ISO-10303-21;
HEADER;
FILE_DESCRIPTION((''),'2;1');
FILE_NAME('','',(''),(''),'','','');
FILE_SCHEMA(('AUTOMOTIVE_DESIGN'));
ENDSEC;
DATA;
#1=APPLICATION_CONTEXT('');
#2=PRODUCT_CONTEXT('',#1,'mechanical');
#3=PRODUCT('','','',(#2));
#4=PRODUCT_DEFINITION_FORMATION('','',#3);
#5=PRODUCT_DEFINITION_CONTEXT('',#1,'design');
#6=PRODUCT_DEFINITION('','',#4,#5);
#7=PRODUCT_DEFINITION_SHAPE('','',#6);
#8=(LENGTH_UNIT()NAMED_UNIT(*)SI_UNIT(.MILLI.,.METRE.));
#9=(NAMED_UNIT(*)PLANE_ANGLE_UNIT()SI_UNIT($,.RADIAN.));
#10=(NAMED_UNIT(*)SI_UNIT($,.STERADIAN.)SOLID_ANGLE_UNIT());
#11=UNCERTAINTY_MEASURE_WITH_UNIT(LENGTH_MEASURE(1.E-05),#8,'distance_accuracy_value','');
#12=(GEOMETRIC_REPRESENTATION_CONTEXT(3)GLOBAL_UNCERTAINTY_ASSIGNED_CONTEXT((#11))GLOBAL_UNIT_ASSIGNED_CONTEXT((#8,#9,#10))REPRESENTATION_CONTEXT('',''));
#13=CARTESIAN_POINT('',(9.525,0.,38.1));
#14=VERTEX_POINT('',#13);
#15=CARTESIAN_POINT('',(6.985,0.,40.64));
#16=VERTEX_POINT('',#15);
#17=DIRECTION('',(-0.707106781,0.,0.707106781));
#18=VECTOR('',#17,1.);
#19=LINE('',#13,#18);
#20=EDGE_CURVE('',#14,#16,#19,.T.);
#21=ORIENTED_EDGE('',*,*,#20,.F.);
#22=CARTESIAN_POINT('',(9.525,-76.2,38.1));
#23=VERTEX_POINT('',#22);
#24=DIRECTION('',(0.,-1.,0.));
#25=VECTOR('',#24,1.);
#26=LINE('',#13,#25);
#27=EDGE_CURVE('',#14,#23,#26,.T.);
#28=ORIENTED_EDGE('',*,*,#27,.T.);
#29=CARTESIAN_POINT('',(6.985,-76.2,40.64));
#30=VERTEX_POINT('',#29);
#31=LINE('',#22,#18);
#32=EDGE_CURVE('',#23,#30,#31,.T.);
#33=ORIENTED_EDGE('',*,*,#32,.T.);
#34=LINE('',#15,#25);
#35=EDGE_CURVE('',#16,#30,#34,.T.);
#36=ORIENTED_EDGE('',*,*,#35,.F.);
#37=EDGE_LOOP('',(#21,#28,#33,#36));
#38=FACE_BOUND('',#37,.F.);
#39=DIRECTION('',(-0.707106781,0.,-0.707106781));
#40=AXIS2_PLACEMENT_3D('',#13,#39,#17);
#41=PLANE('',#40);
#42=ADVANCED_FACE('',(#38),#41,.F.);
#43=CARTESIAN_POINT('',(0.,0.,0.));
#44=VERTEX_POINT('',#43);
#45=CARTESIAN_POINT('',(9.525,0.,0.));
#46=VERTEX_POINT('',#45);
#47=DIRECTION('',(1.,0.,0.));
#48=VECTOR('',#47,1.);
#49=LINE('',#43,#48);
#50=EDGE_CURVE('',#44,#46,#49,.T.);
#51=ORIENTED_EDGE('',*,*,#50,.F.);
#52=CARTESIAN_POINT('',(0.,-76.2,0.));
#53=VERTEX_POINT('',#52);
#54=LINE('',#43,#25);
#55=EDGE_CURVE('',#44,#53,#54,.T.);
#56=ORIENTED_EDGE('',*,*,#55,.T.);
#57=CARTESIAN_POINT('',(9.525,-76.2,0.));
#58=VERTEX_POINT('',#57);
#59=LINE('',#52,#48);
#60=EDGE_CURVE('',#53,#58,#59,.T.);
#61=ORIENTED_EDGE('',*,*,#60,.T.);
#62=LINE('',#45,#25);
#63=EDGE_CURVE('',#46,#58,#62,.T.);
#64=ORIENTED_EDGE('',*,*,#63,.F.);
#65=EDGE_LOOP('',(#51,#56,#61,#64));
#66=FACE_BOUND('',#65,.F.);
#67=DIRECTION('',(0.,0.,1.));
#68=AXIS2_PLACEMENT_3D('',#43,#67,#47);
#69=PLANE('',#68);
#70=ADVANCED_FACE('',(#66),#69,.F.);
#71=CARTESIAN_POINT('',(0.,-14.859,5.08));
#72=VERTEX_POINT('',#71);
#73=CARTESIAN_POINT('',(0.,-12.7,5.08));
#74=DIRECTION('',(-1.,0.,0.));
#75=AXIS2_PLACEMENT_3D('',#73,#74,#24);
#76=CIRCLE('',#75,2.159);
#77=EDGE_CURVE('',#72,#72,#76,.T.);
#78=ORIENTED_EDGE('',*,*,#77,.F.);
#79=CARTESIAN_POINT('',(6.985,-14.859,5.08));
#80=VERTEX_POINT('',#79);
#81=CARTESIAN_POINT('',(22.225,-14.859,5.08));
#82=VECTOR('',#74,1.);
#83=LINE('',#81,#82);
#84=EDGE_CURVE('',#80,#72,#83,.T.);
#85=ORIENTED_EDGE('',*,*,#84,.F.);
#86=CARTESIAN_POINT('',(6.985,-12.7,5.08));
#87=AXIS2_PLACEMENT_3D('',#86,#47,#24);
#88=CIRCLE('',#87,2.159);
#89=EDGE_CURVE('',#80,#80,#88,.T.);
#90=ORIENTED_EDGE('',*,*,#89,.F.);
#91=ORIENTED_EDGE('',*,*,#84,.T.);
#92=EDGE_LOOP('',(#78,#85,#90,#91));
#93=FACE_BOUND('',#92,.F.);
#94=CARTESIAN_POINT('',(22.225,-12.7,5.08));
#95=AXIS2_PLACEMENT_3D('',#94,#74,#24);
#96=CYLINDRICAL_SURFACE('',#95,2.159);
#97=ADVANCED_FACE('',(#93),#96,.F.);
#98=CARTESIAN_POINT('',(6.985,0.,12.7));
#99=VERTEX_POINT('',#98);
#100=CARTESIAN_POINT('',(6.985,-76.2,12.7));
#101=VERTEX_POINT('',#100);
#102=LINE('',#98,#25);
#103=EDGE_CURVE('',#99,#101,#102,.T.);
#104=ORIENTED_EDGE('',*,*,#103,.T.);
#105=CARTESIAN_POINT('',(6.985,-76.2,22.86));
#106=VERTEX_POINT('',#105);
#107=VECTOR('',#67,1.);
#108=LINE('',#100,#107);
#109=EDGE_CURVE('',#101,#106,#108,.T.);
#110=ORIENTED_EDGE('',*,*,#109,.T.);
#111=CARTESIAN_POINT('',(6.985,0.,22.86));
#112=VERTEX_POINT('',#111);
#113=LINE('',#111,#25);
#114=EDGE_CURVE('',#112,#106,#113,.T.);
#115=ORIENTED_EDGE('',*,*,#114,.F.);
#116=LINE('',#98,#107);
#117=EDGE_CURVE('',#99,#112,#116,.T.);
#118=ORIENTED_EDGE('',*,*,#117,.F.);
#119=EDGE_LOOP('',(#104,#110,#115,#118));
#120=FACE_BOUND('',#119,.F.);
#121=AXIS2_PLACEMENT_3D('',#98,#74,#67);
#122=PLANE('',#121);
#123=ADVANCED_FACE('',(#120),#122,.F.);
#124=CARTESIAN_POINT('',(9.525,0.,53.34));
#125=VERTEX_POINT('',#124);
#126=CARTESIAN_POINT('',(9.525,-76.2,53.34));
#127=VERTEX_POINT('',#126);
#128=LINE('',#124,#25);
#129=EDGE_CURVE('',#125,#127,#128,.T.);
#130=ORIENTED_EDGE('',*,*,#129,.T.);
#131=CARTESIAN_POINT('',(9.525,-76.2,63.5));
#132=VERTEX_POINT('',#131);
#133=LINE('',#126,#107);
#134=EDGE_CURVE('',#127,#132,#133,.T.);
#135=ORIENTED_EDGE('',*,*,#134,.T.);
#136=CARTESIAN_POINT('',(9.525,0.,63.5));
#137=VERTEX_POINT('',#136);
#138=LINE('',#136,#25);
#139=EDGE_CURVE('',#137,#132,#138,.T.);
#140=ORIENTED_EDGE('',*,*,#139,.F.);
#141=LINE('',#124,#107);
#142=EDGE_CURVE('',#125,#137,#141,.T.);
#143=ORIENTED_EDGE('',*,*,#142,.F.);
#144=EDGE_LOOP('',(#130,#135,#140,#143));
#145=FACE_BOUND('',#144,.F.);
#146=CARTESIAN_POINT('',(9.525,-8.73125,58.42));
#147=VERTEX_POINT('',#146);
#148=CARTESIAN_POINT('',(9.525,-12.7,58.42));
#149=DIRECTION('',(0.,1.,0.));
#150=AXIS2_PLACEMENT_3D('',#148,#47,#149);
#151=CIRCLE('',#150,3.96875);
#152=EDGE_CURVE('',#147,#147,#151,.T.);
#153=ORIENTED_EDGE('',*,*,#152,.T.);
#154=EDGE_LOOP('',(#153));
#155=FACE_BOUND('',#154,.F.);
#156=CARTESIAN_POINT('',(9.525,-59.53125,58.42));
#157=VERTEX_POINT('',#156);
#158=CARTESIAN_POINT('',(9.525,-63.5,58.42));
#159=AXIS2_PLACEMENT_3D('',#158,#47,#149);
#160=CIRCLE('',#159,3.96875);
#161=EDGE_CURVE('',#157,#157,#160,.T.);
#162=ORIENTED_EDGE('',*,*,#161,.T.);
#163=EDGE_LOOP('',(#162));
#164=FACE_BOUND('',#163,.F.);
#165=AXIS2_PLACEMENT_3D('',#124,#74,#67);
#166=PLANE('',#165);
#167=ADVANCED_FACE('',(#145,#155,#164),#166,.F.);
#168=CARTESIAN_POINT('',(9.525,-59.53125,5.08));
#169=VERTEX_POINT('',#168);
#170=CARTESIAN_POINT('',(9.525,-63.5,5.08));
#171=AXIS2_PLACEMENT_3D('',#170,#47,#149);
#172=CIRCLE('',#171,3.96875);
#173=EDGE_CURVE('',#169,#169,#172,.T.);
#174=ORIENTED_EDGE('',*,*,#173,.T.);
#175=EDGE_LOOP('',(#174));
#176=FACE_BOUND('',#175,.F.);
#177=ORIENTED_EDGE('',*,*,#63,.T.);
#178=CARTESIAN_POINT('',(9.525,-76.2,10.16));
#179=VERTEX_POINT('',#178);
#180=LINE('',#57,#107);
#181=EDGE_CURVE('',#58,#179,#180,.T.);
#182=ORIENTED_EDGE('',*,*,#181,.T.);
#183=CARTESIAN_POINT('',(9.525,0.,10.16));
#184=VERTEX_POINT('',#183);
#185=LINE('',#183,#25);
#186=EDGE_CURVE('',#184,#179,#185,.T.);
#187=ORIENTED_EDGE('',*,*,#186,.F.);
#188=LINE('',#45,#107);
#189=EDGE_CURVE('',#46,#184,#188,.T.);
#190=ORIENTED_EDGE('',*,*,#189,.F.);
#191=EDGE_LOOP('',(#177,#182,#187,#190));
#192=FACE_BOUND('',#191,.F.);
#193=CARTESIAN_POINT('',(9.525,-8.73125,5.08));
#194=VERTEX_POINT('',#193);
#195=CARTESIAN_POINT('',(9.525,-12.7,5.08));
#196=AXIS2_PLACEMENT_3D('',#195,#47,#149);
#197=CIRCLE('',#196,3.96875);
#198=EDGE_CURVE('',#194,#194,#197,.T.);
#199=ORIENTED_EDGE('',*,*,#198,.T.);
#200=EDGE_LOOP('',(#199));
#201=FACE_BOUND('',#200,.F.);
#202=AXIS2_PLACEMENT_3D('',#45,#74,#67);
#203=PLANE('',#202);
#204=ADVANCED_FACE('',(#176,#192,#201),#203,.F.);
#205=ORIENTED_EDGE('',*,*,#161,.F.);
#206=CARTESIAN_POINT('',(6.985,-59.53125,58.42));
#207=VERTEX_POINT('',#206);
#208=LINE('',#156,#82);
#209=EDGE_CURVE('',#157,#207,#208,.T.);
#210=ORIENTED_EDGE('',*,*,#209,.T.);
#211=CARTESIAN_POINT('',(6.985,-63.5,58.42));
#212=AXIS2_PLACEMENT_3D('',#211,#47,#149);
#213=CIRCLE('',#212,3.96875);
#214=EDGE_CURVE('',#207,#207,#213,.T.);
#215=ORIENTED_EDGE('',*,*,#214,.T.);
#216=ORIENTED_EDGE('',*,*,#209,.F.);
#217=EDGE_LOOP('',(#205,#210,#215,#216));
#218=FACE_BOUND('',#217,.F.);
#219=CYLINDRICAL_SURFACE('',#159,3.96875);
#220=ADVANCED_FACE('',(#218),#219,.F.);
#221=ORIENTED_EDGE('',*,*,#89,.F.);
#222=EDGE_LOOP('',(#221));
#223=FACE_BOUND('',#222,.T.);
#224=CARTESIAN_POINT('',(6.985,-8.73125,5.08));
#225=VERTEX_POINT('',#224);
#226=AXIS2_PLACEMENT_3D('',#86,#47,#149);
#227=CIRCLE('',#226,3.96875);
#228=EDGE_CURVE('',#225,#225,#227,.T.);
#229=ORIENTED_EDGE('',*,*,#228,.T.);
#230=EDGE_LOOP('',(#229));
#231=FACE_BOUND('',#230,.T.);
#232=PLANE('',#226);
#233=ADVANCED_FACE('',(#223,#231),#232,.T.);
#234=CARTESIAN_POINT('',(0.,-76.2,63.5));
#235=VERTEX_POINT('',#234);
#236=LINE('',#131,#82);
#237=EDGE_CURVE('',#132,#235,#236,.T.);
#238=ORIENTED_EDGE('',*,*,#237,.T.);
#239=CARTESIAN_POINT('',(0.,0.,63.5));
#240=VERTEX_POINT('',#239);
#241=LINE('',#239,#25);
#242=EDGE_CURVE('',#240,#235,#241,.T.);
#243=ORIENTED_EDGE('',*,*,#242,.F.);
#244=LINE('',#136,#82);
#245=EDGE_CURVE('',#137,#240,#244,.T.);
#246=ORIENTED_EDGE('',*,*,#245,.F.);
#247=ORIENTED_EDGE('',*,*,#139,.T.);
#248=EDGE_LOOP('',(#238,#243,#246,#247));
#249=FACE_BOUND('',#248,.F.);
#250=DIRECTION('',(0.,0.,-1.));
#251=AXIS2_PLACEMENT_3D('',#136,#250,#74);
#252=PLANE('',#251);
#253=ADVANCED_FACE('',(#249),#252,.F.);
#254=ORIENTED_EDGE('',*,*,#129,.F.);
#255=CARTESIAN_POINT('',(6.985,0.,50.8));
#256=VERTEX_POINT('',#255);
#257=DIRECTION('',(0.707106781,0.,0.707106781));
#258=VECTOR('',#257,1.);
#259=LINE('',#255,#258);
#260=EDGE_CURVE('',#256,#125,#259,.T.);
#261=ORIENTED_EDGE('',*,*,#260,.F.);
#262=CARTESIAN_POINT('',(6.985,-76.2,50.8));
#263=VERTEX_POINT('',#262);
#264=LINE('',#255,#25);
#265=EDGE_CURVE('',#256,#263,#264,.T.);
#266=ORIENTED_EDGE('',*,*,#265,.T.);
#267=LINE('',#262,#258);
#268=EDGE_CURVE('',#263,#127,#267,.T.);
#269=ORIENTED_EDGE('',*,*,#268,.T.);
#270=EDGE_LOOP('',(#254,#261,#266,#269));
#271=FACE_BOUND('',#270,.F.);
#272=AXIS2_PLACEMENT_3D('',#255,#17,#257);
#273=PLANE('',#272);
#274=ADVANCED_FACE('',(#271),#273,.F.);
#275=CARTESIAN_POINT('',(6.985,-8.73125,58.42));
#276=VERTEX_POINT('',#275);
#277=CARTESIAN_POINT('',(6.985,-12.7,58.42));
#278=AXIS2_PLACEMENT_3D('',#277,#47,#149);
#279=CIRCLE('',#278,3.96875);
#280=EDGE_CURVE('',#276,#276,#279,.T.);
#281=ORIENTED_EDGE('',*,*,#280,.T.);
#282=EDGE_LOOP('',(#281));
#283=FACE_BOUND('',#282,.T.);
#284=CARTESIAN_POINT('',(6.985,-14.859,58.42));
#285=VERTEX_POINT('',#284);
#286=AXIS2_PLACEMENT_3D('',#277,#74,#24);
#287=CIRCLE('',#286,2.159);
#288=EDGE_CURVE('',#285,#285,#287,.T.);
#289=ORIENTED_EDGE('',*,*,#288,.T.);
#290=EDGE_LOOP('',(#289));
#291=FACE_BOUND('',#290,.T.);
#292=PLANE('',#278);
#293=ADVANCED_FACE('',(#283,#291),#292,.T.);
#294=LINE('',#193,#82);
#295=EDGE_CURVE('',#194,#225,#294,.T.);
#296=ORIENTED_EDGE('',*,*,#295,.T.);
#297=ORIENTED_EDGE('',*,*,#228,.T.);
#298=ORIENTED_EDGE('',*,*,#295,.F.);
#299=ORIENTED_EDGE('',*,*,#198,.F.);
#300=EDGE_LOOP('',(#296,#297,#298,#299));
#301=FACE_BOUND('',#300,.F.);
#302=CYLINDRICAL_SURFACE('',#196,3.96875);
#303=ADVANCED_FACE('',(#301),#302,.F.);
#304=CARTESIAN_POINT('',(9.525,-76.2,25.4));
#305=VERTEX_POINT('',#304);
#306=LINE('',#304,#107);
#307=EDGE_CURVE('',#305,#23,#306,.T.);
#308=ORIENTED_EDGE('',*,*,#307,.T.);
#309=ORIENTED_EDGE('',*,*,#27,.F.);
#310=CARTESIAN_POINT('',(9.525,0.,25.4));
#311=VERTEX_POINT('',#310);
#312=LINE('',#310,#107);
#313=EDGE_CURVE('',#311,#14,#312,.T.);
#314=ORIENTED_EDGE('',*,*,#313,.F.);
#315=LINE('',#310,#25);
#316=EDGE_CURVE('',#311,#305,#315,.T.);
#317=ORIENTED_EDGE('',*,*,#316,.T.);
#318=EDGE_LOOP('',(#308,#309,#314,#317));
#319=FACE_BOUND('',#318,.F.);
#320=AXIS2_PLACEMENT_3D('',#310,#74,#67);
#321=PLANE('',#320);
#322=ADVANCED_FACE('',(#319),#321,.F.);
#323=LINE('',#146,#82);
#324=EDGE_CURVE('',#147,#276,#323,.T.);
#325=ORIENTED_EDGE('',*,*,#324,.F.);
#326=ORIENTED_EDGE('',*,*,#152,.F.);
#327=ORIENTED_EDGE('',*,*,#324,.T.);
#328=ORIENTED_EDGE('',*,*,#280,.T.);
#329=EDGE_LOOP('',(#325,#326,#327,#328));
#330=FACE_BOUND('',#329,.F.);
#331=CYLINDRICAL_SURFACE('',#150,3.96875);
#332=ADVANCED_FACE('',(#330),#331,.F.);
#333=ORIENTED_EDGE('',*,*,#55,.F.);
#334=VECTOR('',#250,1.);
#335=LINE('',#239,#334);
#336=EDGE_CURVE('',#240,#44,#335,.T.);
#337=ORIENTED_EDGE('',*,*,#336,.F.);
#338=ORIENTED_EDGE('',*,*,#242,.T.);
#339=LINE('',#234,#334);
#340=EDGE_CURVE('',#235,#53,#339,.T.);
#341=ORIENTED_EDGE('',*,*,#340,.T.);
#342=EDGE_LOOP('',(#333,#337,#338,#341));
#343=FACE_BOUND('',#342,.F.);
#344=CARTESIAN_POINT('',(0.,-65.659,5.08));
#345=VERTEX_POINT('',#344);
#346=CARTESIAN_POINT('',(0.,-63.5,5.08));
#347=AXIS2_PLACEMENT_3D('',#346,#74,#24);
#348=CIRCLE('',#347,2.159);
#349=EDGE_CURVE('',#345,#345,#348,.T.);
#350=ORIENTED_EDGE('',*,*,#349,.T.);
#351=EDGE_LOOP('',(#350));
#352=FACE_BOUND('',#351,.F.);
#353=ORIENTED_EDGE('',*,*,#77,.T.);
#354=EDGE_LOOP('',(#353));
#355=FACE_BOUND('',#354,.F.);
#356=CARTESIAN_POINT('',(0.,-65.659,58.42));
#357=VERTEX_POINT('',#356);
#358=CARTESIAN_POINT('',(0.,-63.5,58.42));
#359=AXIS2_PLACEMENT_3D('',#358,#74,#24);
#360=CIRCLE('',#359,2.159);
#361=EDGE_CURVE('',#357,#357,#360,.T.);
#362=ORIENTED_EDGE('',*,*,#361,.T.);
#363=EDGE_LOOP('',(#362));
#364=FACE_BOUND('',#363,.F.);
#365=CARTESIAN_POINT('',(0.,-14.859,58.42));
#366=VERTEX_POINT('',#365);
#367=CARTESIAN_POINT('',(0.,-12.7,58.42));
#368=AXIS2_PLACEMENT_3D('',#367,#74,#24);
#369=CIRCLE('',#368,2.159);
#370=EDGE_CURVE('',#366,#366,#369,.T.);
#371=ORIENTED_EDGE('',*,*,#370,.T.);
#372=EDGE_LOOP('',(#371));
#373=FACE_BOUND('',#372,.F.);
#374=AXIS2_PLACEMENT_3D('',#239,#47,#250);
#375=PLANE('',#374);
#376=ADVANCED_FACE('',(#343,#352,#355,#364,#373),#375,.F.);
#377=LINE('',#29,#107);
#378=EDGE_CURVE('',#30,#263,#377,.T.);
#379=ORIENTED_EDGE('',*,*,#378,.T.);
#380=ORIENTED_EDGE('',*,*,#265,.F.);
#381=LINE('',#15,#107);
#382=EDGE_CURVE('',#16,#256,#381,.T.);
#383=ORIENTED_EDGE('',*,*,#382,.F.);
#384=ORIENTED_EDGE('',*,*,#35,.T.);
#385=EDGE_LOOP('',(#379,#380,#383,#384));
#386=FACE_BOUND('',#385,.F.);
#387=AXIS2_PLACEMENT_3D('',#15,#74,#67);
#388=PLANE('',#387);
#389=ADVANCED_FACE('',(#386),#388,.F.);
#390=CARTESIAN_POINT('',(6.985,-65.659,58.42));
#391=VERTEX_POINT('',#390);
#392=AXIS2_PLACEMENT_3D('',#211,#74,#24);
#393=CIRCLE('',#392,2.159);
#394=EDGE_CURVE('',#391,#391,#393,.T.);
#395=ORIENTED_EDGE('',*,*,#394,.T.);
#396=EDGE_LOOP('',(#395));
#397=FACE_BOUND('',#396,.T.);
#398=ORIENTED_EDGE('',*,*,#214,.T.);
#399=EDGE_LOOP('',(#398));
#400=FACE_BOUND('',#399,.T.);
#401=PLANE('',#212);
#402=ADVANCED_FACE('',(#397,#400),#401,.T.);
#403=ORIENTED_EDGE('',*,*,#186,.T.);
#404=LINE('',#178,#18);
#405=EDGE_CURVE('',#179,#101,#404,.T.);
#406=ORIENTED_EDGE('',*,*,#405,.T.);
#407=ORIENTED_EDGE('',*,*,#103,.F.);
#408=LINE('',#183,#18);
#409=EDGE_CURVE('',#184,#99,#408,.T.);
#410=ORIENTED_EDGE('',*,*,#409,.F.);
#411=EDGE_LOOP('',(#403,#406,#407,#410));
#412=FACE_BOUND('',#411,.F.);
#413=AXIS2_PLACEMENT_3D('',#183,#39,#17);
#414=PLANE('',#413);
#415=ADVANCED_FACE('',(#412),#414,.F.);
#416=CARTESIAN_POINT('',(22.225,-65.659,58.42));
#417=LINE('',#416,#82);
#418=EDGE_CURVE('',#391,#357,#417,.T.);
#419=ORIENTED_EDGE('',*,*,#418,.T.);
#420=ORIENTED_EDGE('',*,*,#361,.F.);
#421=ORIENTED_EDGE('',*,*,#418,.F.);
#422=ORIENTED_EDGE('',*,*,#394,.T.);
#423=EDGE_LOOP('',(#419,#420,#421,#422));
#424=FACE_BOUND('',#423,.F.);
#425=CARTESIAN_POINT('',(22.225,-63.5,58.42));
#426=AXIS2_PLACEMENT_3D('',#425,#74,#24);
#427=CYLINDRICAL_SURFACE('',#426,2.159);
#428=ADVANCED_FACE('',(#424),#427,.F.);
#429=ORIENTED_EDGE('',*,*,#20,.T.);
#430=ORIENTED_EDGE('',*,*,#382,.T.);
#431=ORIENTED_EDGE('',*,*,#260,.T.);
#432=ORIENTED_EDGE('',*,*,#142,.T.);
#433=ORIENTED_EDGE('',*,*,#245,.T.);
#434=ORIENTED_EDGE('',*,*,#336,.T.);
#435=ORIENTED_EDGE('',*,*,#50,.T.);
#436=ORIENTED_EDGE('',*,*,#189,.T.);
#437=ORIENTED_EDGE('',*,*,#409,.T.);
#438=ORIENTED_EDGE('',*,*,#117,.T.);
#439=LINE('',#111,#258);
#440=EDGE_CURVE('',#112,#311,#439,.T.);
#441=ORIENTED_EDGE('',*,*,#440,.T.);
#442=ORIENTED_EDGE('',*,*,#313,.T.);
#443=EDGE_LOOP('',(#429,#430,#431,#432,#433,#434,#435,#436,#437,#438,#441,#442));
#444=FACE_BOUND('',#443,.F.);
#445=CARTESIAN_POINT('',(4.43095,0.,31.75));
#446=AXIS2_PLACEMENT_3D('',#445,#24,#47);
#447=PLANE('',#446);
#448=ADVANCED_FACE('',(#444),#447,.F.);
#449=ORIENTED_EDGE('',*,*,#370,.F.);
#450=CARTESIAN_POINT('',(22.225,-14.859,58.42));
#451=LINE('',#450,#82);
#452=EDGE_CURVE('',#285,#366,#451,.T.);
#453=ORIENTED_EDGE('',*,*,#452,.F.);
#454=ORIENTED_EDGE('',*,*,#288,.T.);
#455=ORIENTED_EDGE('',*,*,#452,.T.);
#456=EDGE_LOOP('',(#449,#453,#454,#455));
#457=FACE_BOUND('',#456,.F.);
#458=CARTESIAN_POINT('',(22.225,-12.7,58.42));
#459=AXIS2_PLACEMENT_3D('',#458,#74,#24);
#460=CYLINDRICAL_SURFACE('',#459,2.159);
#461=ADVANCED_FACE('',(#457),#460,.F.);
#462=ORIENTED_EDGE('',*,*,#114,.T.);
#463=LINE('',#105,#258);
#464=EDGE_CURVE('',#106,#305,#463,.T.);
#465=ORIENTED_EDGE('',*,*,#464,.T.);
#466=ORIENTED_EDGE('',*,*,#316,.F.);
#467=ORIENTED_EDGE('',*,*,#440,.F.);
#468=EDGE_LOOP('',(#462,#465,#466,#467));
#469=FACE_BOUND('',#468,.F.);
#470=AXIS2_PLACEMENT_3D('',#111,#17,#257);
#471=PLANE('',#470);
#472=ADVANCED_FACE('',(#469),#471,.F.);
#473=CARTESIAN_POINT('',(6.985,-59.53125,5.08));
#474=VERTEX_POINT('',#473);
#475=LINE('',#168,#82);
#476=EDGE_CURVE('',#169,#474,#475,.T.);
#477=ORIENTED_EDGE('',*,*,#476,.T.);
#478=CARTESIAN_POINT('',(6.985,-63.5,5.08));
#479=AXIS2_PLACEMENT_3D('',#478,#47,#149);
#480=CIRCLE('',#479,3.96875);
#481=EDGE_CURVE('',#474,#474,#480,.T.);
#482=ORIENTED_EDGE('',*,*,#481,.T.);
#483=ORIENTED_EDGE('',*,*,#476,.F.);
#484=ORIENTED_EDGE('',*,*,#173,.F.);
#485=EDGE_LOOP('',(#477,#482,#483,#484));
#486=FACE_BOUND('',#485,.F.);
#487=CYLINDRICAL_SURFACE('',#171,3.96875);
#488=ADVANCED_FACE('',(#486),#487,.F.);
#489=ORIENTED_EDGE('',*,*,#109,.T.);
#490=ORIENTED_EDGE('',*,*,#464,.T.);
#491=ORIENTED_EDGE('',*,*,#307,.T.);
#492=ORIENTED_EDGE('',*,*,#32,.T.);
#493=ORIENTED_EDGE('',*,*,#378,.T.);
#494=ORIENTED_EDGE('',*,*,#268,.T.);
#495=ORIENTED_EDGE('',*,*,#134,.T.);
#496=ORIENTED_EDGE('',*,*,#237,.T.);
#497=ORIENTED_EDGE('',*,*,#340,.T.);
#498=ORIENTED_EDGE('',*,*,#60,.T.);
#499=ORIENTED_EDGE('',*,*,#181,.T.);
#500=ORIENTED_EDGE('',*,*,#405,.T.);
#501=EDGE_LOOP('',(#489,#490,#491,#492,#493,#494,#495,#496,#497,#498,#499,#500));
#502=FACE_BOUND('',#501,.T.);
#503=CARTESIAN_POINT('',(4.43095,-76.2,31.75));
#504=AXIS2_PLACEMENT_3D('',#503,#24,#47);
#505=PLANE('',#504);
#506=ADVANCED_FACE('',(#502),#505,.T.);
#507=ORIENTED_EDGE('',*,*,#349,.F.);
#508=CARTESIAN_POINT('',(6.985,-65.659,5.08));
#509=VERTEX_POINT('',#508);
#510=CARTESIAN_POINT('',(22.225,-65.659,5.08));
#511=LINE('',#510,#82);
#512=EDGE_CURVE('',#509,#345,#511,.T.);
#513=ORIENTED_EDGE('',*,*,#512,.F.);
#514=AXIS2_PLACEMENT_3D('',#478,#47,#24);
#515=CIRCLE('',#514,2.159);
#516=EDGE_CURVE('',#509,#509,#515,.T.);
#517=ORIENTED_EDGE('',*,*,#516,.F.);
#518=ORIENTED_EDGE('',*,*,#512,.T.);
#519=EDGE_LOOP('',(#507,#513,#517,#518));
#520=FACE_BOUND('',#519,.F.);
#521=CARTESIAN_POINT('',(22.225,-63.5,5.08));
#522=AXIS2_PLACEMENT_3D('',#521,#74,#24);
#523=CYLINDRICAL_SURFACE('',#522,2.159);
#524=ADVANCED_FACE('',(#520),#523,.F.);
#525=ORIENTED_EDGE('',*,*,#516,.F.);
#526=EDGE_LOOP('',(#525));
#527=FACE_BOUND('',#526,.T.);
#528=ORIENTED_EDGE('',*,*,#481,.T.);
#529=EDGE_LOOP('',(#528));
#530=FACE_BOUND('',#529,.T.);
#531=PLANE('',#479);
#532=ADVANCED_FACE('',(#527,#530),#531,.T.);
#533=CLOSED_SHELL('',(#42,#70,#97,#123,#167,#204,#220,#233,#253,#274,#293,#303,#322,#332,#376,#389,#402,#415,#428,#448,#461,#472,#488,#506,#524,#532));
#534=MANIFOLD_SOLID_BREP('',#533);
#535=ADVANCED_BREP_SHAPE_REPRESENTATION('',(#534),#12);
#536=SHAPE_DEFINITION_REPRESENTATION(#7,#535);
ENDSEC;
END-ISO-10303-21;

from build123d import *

# Parameters (mm, degrees)
F1_DEPTH = 76.2
F4_D     = 4.318
F4_DEPTH = 12.7
F4_TIP   = 1.2972580765
F5_R     = 3.96875
F5_R_2   = 2.159
F6_DEPTH = 2.54


with BuildPart() as f1:
    # F0 (on Front) → F1 (new body)
    with BuildSketch(Plane.XZ):
        Polygon((0, 63.5), (0, 0), (9.525, 0), (9.525, 10.16), (6.985, 12.7), (6.985, 22.86), (9.525, 25.4), (9.525, 38.1), (6.985, 40.64), (6.985, 50.8), (9.525, 53.34), (9.525, 63.5), align=None)
    extrude(amount=F1_DEPTH)

    # F4
    with Locations(Plane.YZ.offset(9.525)):
        with Locations((-63.5, 58.42), (-12.7, 58.42), (-63.5, 5.08), (-12.7, 5.08)):
            Hole(F4_D / 2, depth=F4_DEPTH)
            with Locations((0, 0, -(F4_DEPTH + F4_TIP / 2))):  # 118° drill point
                Cone(0, F4_D / 2, F4_TIP, mode=Mode.SUBTRACT)

    # F5 (on face) → F6 (cut)
    with BuildSketch(Plane.YZ.offset(9.525)):
        with Locations((-63.5, 58.42)):
            Circle(F5_R)
        with Locations((-12.7, 58.42)):
            Circle(F5_R)
        with Locations((-63.5, 5.08)):
            Circle(F5_R)
        with Locations((-63.5, 5.08)):
            Circle(F5_R_2, mode=Mode.SUBTRACT)
        with Locations((-12.7, 5.08)):
            Circle(F5_R)
        with Locations((-12.7, 5.08)):
            Circle(F5_R_2, mode=Mode.SUBTRACT)
    extrude(amount=-F6_DEPTH, mode=Mode.SUBTRACT)


solid = f1.part
